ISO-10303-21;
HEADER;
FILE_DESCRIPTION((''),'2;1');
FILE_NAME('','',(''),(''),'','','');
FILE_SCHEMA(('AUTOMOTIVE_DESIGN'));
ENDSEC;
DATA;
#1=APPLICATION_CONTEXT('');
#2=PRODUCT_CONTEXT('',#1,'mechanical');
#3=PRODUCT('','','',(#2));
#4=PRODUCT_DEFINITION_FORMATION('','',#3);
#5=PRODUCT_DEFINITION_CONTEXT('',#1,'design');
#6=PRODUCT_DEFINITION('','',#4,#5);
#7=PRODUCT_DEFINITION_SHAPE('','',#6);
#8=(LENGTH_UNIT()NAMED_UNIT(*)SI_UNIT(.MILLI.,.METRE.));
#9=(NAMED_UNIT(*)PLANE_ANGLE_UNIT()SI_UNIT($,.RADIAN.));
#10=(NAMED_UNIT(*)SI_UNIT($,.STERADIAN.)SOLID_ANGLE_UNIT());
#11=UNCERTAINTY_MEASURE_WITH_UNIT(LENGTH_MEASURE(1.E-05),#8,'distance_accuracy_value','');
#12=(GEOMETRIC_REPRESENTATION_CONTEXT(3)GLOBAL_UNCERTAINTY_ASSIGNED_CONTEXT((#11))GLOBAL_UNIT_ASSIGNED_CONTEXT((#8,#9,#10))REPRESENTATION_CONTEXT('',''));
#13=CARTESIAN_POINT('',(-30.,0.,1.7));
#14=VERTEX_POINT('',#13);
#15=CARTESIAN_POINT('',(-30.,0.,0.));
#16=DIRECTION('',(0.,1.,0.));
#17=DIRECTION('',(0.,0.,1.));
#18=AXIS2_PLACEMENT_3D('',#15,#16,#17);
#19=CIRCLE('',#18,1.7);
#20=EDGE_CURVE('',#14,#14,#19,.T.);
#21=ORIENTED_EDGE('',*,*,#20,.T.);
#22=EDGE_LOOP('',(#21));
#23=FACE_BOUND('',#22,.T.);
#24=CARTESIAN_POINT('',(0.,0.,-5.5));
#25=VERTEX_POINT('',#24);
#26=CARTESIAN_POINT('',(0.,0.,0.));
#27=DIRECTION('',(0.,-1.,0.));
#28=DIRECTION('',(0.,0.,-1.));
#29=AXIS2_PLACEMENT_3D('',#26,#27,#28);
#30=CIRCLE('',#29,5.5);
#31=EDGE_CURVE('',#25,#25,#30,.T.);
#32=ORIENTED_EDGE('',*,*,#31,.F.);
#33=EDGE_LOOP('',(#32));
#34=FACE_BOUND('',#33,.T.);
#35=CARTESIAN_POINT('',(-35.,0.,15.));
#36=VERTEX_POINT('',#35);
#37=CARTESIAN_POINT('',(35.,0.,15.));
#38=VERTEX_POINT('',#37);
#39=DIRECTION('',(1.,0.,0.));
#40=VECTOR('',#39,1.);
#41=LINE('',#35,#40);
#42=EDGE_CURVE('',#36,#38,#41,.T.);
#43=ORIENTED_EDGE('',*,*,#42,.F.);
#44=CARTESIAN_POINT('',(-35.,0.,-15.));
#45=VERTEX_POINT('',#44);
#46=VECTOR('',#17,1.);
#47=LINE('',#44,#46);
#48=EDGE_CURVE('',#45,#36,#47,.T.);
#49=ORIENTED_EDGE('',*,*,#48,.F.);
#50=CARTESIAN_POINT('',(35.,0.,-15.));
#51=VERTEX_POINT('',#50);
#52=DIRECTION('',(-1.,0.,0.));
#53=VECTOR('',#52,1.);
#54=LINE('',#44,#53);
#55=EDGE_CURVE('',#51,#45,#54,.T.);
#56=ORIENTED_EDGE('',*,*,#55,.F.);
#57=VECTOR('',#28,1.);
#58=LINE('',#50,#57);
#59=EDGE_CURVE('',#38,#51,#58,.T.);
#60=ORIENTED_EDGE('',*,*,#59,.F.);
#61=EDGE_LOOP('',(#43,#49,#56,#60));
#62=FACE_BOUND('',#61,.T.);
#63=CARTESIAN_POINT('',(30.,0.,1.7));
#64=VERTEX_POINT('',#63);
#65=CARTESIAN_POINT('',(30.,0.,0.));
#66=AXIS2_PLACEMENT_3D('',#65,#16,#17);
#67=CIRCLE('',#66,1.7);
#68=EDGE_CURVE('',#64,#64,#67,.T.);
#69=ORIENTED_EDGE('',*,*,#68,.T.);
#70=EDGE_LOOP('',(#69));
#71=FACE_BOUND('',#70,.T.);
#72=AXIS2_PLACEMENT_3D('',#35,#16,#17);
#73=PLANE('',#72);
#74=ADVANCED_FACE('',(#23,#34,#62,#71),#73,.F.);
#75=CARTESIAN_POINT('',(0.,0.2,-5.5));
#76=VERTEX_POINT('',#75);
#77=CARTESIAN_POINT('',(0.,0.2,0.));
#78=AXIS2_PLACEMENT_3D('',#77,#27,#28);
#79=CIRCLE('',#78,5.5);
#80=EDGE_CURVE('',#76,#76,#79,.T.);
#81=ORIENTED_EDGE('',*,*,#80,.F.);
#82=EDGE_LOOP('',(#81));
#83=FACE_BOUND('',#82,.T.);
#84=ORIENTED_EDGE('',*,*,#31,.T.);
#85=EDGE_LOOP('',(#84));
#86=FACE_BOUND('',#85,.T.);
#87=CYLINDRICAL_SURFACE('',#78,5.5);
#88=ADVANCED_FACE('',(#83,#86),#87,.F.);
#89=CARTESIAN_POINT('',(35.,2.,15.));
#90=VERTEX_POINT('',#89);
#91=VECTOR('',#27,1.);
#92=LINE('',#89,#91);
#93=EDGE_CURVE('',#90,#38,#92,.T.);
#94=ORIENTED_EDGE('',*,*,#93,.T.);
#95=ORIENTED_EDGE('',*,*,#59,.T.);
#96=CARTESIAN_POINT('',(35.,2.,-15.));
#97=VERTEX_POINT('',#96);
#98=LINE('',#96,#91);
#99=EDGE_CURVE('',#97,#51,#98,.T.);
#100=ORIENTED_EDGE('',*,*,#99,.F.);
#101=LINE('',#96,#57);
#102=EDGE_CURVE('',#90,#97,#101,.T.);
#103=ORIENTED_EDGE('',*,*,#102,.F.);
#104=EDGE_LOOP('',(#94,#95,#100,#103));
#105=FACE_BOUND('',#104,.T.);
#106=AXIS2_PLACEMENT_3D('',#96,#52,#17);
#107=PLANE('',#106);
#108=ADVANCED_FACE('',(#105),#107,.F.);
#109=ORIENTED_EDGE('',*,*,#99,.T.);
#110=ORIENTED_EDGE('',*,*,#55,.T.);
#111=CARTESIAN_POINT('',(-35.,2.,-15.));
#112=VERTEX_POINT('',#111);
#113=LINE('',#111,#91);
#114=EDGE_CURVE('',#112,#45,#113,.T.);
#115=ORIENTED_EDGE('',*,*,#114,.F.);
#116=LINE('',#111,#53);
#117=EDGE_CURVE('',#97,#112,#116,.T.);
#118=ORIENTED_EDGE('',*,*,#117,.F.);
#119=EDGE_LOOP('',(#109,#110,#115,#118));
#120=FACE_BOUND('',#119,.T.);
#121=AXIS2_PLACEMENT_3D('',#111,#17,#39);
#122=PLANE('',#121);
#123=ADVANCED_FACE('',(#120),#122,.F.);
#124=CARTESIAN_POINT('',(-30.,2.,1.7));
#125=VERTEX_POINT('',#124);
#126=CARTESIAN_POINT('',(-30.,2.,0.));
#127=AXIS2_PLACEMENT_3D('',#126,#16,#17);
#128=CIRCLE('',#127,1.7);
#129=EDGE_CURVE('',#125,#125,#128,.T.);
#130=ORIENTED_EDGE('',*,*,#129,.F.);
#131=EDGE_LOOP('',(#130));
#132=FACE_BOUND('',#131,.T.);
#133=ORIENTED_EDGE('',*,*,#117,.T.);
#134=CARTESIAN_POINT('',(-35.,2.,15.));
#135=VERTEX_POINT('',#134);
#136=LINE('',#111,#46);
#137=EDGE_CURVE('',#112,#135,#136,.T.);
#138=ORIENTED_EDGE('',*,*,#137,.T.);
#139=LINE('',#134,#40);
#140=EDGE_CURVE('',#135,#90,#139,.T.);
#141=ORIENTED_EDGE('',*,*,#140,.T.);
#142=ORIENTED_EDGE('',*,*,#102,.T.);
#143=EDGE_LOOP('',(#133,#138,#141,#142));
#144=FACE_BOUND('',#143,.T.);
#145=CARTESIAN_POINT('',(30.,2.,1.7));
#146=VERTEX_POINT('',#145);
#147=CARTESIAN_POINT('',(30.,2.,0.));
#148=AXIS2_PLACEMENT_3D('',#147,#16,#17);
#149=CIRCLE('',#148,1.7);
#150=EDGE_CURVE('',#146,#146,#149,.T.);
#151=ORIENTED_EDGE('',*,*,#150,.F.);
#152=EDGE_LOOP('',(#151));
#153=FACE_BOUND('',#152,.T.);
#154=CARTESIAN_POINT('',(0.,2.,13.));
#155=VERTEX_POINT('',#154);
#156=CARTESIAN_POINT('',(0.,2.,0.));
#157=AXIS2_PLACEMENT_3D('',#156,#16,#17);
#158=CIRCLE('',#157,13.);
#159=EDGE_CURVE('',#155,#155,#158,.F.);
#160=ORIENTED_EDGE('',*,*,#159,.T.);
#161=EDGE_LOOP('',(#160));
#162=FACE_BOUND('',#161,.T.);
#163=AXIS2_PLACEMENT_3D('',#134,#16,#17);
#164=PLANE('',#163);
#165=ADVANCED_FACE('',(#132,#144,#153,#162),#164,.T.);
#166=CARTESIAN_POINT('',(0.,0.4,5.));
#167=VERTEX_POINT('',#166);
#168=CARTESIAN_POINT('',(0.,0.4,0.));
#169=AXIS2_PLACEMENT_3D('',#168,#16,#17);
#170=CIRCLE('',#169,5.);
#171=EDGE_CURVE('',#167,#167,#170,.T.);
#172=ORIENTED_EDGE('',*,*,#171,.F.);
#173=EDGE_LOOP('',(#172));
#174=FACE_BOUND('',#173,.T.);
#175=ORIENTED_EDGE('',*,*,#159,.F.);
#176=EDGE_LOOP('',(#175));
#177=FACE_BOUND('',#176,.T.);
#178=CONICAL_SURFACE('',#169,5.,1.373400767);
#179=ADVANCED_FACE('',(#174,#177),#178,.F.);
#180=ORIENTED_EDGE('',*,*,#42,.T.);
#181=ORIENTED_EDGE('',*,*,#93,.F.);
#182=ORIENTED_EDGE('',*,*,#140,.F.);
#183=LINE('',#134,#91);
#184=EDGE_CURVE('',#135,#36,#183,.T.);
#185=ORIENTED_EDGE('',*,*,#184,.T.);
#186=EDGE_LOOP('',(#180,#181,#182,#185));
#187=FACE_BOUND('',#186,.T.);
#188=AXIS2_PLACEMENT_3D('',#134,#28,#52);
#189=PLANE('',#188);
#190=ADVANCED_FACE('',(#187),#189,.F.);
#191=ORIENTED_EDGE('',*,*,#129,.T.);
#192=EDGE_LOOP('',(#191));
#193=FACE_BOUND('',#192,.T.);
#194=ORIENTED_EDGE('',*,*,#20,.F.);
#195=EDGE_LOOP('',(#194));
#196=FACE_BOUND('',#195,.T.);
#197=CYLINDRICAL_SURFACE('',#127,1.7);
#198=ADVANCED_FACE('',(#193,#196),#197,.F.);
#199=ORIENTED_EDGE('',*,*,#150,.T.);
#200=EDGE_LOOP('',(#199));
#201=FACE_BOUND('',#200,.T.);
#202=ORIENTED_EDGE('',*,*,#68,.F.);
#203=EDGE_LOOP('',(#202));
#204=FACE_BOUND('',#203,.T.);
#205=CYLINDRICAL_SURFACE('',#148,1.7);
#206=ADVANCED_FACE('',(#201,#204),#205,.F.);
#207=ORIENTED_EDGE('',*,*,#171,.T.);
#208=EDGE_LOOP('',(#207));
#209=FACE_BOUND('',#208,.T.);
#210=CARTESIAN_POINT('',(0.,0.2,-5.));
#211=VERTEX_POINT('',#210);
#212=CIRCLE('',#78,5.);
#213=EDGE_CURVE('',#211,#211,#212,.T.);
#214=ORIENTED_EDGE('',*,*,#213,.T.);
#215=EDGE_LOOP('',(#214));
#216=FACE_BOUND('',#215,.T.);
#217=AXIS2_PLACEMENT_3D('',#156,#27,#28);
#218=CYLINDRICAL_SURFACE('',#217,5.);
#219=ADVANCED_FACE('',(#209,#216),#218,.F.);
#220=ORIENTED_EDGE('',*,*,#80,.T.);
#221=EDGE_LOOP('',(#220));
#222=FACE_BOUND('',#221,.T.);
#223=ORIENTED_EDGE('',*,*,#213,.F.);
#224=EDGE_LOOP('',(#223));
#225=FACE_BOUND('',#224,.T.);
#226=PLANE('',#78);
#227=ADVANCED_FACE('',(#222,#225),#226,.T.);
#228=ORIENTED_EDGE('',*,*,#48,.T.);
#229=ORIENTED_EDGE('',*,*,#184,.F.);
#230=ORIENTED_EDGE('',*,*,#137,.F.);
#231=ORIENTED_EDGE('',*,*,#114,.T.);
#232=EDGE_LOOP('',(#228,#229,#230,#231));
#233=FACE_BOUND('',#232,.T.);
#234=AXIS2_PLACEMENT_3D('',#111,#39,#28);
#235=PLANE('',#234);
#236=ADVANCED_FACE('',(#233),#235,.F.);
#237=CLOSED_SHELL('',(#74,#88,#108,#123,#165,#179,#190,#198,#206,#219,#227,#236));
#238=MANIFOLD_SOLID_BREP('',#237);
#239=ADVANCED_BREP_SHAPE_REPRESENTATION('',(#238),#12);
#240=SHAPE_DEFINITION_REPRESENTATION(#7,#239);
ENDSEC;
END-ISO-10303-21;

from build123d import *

# Parameters (mm, degrees)
SKETCH1_W            = 70
SKETCH1_H            = 30
SKETCH1_R            = 5
EXTRUDE1_DEPTH       = 2
CHAMFER1_SIZE        = 8
CHAMFER1_SIZE2       = 1.6
SKETCH3_R            = 5.5
CUT_EXTRUDE1_DEPTH   = 0.2
M3_CLEARANCE_HOLE1_D = 3.4


with BuildPart() as part:
    # Sketch1 → Extrude1 (new body)
    with BuildSketch(Plane(origin=(0, 0, 0), x_dir=(1, 0, 0), z_dir=(0, 1, 0))):
        Rectangle(SKETCH1_W, SKETCH1_H)
        Circle(SKETCH1_R, mode=Mode.SUBTRACT)
    extrude(amount=EXTRUDE1_DEPTH)

    # Chamfer1
    chamfer1_edges = [part.edges().sort_by_distance(p)[0] for p in [
        (-5, 2, 0),
    ]]
    chamfer1_side = [part.faces().sort_by_distance(p)[0] for p in [
        (0, 2, -14.238422689),
    ]]
    chamfer(chamfer1_edges, length=CHAMFER1_SIZE, length2=CHAMFER1_SIZE2, reference=chamfer1_side[0])

    # Sketch3 → Cut-Extrude1 (cut)
    with BuildSketch(Plane.XZ):
        Circle(SKETCH3_R)
    extrude(amount=-CUT_EXTRUDE1_DEPTH, mode=Mode.SUBTRACT)

    # M3 Clearance Hole1 (through all)
    with Locations(Plane(origin=(0, 2, 0), x_dir=(-1, 0, 0), z_dir=(0, 1, 0))):
        with Locations((-30, 0), (30, 0)):
            Hole(M3_CLEARANCE_HOLE1_D / 2)


solid = part.part
